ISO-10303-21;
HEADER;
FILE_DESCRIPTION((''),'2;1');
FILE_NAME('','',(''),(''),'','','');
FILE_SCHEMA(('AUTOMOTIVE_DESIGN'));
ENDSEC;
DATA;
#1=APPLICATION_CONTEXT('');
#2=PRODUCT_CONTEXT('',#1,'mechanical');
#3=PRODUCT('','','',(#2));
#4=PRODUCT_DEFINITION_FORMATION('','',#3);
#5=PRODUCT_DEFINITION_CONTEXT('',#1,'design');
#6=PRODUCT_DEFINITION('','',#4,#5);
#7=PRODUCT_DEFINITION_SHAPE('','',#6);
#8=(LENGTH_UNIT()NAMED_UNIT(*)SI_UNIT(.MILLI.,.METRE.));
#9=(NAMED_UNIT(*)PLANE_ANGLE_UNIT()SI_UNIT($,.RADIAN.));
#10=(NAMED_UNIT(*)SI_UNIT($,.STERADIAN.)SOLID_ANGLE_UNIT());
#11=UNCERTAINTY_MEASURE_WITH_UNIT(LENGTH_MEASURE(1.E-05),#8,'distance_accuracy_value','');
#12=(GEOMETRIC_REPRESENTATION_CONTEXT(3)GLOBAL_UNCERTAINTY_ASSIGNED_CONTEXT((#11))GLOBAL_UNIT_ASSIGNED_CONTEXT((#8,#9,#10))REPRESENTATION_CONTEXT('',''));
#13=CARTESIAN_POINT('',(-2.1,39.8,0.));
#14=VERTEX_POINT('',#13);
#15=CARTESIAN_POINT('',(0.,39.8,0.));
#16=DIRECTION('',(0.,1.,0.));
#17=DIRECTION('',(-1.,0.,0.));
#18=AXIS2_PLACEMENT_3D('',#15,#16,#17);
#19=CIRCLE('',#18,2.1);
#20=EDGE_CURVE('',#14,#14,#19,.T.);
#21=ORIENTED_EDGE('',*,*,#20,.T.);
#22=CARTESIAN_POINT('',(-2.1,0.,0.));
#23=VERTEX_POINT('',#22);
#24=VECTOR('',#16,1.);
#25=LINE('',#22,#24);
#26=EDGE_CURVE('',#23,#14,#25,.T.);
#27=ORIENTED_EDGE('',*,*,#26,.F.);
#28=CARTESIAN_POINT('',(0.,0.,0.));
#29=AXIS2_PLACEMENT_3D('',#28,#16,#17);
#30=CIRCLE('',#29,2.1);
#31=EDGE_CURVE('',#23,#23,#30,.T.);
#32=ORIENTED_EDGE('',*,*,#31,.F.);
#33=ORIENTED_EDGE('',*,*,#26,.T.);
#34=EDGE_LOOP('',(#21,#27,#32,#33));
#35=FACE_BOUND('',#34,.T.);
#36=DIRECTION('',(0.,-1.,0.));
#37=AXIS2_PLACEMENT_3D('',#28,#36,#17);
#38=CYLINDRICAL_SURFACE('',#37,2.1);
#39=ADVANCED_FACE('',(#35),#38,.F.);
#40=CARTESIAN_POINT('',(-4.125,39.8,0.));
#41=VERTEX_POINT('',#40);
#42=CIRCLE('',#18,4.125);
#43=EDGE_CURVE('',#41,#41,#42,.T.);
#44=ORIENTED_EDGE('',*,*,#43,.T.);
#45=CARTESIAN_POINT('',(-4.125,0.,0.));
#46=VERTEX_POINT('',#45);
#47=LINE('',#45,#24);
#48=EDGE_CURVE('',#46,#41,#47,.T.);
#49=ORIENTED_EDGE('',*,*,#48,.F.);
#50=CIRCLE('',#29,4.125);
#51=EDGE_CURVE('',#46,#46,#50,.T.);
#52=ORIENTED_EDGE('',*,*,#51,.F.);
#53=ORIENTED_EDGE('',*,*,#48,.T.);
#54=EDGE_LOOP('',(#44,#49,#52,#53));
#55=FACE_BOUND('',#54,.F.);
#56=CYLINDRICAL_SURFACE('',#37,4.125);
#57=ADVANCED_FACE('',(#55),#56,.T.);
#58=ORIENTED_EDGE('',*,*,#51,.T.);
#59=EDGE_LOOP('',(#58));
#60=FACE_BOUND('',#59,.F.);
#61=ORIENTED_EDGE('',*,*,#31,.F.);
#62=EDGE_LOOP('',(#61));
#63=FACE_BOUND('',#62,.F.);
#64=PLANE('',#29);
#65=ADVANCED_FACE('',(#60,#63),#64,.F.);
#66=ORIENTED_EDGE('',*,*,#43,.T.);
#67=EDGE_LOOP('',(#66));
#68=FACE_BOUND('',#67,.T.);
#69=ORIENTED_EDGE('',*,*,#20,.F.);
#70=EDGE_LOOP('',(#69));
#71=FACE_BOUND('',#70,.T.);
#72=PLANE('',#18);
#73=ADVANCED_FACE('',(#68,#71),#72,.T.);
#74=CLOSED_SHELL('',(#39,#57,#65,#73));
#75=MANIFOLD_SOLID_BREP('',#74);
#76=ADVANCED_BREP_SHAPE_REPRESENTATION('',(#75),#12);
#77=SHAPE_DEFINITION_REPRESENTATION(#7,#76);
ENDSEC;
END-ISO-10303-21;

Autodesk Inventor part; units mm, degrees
ref_plane "YZ Plane" through (0, 0, 0) normal (1, 0, 0) x (0, 1, 0)
ref_plane "XZ Plane" through (0, 0, 0) normal (0, 1, 0) x (-1, 0, 0)
ref_plane "XY Plane" through (0, 0, 0) normal (0, 0, 1) x (1, 0, 0)
sketch "Sketch1" plane through (0, 0, 0) normal (0, 1, 0) x (-1, 0, 0)
  circle A0 centre (0, 0) radius 2.1
  circle A1 centre (0, 0) radius 4.125
  dimension "d0" = 4.2
  dimension "d1" = 8.25
extrude "Extrusion1" add sketch "Sketch1" along normal blind 39.8
properties part number "Dribber Shaft Hull"
